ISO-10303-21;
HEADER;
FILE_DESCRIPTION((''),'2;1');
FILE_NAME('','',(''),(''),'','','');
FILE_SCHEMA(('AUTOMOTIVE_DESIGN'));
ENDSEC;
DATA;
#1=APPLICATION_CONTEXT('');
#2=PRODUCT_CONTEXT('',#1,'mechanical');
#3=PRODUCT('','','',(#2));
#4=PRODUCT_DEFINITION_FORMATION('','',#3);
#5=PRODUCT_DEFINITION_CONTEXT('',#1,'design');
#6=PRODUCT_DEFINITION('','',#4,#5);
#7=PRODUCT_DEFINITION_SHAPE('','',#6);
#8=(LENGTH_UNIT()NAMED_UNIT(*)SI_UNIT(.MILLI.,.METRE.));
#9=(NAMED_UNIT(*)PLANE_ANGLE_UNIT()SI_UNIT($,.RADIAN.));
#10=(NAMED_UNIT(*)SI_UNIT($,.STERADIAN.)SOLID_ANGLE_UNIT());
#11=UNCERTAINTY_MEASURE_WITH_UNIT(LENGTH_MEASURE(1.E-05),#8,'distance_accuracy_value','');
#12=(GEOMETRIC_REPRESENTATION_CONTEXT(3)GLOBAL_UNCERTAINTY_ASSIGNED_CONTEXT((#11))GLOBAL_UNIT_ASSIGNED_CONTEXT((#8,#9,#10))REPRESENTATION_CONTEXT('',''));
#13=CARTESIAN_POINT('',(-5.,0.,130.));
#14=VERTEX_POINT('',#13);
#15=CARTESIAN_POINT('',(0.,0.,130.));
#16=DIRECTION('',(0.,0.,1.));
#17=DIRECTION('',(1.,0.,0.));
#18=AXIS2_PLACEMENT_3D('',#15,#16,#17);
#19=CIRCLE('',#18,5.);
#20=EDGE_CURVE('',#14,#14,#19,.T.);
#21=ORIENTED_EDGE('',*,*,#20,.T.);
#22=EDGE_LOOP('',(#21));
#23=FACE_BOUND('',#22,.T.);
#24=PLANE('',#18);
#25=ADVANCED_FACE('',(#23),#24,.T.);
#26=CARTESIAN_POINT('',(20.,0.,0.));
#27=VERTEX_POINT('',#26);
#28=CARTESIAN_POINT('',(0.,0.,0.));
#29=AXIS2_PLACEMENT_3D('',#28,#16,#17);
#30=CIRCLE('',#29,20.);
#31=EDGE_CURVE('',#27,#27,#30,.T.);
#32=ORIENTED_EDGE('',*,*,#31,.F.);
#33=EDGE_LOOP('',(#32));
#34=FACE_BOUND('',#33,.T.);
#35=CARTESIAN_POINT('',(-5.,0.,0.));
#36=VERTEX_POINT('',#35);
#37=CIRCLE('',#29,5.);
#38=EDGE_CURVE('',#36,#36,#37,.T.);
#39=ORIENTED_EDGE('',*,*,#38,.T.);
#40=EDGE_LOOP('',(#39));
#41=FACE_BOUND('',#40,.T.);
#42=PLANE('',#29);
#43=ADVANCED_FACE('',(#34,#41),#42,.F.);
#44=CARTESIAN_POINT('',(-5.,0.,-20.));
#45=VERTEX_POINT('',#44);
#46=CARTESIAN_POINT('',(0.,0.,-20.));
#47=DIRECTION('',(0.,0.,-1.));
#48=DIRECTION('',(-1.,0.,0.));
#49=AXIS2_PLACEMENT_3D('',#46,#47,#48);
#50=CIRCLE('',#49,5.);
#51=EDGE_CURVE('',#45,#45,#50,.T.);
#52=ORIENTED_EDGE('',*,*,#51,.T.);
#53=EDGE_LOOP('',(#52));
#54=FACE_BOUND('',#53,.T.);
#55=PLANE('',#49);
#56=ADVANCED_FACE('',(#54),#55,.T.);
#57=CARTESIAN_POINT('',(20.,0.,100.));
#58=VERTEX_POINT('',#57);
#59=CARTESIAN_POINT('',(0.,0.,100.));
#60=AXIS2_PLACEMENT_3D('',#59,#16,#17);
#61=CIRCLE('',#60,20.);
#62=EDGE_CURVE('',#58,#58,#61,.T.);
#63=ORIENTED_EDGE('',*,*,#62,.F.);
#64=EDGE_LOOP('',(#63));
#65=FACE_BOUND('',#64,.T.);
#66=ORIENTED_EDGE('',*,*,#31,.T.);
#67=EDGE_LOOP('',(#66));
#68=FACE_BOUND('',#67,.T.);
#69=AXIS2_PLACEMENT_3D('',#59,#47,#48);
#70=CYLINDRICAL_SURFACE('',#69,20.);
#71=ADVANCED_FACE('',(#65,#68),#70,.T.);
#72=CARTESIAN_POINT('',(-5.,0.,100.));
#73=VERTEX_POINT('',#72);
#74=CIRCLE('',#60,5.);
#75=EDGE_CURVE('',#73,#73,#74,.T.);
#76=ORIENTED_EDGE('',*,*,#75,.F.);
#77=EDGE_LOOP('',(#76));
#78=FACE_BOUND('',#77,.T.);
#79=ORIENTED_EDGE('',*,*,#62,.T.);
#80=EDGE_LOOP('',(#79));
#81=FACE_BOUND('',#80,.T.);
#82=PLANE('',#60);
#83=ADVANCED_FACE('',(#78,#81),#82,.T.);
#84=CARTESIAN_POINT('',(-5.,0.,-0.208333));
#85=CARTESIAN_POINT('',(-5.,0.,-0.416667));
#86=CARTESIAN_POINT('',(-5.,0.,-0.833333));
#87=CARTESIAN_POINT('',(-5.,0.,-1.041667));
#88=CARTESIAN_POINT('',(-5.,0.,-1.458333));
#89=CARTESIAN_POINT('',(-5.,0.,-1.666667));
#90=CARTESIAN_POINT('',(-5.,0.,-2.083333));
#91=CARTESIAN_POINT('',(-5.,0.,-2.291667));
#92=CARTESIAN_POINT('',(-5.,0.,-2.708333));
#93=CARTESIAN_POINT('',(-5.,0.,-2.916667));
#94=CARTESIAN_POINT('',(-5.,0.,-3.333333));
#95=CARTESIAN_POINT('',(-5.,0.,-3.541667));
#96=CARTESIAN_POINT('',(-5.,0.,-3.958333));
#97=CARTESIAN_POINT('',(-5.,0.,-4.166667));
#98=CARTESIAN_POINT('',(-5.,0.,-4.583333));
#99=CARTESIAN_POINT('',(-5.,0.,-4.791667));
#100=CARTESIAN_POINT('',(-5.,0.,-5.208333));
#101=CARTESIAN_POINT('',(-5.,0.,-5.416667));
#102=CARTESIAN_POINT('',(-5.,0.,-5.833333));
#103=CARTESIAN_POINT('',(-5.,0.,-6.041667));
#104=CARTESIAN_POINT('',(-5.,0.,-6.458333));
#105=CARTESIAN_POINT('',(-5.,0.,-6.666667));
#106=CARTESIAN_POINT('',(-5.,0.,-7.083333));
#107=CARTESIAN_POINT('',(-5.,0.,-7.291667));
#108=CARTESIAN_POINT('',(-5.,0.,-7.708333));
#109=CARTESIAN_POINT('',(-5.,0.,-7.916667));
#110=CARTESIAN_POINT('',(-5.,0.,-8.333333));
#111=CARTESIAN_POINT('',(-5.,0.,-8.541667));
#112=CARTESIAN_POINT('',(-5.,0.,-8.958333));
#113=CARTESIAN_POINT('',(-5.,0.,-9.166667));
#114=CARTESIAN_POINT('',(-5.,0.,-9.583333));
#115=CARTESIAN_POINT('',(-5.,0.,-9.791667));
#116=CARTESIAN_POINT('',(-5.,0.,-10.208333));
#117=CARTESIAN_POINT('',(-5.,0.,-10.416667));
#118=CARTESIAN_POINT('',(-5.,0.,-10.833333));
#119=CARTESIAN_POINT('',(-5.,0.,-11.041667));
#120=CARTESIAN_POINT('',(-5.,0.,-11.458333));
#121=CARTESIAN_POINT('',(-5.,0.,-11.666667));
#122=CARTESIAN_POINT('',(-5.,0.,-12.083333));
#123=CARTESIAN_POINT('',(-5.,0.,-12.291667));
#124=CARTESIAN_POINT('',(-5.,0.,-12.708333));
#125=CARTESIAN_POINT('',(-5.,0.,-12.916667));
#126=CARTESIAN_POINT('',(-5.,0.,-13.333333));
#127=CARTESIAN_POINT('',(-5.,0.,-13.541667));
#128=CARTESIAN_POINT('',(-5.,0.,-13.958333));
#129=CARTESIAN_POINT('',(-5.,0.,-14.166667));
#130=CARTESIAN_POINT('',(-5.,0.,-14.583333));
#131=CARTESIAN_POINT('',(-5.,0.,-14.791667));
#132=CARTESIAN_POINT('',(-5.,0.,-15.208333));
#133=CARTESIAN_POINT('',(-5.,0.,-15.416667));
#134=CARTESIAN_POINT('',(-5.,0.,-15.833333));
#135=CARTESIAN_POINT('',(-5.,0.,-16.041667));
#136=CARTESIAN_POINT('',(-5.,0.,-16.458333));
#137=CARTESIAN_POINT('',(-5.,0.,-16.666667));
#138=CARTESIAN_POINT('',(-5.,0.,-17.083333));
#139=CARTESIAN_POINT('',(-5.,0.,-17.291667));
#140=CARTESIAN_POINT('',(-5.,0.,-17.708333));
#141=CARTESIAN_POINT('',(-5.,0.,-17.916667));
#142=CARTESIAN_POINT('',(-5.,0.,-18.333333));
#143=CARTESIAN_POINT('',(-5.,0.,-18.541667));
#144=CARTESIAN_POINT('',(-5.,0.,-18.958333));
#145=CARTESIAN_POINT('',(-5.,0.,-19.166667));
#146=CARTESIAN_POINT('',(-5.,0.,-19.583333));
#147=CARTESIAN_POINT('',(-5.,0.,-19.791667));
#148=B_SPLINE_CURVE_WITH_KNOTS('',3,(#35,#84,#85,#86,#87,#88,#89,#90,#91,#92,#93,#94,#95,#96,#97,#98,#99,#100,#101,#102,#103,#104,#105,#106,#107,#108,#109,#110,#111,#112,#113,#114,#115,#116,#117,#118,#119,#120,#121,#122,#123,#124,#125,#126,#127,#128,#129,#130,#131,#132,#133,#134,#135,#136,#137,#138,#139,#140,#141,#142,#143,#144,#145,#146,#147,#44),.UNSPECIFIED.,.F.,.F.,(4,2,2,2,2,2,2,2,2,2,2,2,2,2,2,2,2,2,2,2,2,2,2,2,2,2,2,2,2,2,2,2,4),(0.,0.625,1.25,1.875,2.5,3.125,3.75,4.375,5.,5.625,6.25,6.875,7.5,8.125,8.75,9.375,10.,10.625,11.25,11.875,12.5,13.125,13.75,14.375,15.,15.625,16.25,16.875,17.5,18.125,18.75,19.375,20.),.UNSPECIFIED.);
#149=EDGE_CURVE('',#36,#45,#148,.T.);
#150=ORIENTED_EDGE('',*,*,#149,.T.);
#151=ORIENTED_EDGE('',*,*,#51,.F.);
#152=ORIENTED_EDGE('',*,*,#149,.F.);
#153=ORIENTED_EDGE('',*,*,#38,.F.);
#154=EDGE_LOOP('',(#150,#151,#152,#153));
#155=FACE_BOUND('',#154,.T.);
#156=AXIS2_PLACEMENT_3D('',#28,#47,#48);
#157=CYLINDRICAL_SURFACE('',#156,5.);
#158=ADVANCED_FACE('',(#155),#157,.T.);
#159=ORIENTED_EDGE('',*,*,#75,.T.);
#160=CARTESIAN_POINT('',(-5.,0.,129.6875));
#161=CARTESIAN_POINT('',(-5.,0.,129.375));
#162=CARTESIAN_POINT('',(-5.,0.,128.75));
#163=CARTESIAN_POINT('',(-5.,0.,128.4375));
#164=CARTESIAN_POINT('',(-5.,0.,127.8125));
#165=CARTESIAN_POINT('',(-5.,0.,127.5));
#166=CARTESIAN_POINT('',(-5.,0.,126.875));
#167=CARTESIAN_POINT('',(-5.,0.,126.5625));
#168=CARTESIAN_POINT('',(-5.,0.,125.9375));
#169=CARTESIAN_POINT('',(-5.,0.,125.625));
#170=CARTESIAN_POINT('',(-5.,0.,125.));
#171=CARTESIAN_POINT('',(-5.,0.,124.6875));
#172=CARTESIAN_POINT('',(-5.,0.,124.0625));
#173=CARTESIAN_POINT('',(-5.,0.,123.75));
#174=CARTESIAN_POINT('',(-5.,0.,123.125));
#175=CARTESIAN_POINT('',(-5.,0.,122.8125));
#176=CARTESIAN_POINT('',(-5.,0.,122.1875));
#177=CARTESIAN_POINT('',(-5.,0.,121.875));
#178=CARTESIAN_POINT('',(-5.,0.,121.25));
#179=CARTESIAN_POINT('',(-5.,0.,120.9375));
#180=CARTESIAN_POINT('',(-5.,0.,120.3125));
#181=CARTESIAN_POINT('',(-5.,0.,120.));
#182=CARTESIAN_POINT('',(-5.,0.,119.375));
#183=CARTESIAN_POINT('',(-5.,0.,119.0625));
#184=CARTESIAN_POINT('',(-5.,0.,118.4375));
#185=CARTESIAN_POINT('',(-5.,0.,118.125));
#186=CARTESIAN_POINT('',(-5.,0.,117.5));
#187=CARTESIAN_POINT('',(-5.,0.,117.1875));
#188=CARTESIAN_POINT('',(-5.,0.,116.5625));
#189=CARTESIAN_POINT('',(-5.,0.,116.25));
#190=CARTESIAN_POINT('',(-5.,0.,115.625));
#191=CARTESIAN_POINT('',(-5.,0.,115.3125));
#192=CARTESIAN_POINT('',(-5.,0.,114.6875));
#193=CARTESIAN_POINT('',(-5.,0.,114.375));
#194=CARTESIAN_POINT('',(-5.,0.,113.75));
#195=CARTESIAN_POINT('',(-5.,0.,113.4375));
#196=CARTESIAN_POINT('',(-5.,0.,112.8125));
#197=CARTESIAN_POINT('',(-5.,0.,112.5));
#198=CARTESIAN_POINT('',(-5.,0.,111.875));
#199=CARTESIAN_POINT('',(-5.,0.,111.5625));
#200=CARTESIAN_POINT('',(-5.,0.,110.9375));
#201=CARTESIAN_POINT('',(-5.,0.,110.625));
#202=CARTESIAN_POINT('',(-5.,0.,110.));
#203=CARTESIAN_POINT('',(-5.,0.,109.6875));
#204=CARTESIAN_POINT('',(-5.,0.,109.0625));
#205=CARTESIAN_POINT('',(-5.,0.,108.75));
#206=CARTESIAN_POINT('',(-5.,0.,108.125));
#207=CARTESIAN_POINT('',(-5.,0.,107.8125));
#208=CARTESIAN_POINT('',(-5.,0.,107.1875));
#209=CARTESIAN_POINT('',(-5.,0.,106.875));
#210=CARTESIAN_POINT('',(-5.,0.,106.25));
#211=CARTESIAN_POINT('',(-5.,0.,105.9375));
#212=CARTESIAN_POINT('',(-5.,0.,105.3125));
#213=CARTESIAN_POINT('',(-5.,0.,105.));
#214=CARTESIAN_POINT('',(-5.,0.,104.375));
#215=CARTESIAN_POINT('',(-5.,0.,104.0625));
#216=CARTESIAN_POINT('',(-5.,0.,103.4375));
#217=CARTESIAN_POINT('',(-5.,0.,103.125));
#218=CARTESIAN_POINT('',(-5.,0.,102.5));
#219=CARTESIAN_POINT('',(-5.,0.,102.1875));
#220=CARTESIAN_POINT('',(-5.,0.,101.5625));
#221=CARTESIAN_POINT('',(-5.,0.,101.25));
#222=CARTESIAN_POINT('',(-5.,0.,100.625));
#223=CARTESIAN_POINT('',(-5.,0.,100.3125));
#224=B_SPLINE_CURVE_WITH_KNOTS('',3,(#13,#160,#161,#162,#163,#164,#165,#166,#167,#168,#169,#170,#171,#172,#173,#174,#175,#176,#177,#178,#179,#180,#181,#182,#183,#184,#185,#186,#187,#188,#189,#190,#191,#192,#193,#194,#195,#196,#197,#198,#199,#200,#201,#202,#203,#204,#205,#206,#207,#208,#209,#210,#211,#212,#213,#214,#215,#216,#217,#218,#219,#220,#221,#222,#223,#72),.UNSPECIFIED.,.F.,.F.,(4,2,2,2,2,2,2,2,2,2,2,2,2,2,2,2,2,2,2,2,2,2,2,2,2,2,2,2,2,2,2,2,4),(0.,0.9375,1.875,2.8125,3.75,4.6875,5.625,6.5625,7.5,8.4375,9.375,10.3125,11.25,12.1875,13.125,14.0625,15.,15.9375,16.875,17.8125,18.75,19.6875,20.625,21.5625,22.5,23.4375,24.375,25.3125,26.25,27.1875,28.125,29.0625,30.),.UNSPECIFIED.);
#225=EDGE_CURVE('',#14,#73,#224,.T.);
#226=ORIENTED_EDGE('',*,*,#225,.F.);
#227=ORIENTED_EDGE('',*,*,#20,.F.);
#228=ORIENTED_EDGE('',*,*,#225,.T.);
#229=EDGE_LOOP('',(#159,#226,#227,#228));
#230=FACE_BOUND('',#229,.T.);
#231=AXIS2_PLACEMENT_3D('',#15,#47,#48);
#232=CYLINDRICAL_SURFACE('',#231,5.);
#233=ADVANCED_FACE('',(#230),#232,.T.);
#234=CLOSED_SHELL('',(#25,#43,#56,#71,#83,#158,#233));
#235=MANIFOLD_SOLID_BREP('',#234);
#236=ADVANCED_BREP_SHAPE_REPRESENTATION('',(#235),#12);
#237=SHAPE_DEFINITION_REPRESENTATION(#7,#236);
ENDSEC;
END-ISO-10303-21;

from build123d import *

# Parameters (mm, degrees)
SKETCH1_R           = 20
BOSS_EXTRUDE1_DEPTH = 100
SKETCH2_R           = 5
BOSS_EXTRUDE2_DEPTH = 30
LPATTERN1_COUNT     = 2
LPATTERN1_PITCH     = 130
SKETCH3_R           = 7.5
CUT_EXTRUDE1_DEPTH  = 10


with BuildPart() as part:
    # Sketch1 → Boss-Extrude1 (new body)
    with BuildSketch(Plane.XY):
        Circle(SKETCH1_R)
    extrude(amount=BOSS_EXTRUDE1_DEPTH)

    # Sketch2 → Boss-Extrude2 (add)
    with BuildSketch(Plane.XY.offset(100)):
        with Locations(Location((0, 0, 0), (0, 0, 180))):
            Circle(SKETCH2_R)
    boss_extrude2 = extrude(amount=BOSS_EXTRUDE2_DEPTH)

    # LPattern1: Boss-Extrude2 ×2
    with Locations(*[(0, 0, -i * LPATTERN1_PITCH) for i in range(1, LPATTERN1_COUNT)]):
        add(boss_extrude2)

    # Sketch3 → Cut-Extrude1 (cut)
    with BuildSketch(Plane(origin=(0, 0, -30), x_dir=(-1, 0, 0), z_dir=(0, 0, -1))):
        Circle(SKETCH3_R)
    extrude(amount=-CUT_EXTRUDE1_DEPTH, mode=Mode.SUBTRACT)


solid = part.part
